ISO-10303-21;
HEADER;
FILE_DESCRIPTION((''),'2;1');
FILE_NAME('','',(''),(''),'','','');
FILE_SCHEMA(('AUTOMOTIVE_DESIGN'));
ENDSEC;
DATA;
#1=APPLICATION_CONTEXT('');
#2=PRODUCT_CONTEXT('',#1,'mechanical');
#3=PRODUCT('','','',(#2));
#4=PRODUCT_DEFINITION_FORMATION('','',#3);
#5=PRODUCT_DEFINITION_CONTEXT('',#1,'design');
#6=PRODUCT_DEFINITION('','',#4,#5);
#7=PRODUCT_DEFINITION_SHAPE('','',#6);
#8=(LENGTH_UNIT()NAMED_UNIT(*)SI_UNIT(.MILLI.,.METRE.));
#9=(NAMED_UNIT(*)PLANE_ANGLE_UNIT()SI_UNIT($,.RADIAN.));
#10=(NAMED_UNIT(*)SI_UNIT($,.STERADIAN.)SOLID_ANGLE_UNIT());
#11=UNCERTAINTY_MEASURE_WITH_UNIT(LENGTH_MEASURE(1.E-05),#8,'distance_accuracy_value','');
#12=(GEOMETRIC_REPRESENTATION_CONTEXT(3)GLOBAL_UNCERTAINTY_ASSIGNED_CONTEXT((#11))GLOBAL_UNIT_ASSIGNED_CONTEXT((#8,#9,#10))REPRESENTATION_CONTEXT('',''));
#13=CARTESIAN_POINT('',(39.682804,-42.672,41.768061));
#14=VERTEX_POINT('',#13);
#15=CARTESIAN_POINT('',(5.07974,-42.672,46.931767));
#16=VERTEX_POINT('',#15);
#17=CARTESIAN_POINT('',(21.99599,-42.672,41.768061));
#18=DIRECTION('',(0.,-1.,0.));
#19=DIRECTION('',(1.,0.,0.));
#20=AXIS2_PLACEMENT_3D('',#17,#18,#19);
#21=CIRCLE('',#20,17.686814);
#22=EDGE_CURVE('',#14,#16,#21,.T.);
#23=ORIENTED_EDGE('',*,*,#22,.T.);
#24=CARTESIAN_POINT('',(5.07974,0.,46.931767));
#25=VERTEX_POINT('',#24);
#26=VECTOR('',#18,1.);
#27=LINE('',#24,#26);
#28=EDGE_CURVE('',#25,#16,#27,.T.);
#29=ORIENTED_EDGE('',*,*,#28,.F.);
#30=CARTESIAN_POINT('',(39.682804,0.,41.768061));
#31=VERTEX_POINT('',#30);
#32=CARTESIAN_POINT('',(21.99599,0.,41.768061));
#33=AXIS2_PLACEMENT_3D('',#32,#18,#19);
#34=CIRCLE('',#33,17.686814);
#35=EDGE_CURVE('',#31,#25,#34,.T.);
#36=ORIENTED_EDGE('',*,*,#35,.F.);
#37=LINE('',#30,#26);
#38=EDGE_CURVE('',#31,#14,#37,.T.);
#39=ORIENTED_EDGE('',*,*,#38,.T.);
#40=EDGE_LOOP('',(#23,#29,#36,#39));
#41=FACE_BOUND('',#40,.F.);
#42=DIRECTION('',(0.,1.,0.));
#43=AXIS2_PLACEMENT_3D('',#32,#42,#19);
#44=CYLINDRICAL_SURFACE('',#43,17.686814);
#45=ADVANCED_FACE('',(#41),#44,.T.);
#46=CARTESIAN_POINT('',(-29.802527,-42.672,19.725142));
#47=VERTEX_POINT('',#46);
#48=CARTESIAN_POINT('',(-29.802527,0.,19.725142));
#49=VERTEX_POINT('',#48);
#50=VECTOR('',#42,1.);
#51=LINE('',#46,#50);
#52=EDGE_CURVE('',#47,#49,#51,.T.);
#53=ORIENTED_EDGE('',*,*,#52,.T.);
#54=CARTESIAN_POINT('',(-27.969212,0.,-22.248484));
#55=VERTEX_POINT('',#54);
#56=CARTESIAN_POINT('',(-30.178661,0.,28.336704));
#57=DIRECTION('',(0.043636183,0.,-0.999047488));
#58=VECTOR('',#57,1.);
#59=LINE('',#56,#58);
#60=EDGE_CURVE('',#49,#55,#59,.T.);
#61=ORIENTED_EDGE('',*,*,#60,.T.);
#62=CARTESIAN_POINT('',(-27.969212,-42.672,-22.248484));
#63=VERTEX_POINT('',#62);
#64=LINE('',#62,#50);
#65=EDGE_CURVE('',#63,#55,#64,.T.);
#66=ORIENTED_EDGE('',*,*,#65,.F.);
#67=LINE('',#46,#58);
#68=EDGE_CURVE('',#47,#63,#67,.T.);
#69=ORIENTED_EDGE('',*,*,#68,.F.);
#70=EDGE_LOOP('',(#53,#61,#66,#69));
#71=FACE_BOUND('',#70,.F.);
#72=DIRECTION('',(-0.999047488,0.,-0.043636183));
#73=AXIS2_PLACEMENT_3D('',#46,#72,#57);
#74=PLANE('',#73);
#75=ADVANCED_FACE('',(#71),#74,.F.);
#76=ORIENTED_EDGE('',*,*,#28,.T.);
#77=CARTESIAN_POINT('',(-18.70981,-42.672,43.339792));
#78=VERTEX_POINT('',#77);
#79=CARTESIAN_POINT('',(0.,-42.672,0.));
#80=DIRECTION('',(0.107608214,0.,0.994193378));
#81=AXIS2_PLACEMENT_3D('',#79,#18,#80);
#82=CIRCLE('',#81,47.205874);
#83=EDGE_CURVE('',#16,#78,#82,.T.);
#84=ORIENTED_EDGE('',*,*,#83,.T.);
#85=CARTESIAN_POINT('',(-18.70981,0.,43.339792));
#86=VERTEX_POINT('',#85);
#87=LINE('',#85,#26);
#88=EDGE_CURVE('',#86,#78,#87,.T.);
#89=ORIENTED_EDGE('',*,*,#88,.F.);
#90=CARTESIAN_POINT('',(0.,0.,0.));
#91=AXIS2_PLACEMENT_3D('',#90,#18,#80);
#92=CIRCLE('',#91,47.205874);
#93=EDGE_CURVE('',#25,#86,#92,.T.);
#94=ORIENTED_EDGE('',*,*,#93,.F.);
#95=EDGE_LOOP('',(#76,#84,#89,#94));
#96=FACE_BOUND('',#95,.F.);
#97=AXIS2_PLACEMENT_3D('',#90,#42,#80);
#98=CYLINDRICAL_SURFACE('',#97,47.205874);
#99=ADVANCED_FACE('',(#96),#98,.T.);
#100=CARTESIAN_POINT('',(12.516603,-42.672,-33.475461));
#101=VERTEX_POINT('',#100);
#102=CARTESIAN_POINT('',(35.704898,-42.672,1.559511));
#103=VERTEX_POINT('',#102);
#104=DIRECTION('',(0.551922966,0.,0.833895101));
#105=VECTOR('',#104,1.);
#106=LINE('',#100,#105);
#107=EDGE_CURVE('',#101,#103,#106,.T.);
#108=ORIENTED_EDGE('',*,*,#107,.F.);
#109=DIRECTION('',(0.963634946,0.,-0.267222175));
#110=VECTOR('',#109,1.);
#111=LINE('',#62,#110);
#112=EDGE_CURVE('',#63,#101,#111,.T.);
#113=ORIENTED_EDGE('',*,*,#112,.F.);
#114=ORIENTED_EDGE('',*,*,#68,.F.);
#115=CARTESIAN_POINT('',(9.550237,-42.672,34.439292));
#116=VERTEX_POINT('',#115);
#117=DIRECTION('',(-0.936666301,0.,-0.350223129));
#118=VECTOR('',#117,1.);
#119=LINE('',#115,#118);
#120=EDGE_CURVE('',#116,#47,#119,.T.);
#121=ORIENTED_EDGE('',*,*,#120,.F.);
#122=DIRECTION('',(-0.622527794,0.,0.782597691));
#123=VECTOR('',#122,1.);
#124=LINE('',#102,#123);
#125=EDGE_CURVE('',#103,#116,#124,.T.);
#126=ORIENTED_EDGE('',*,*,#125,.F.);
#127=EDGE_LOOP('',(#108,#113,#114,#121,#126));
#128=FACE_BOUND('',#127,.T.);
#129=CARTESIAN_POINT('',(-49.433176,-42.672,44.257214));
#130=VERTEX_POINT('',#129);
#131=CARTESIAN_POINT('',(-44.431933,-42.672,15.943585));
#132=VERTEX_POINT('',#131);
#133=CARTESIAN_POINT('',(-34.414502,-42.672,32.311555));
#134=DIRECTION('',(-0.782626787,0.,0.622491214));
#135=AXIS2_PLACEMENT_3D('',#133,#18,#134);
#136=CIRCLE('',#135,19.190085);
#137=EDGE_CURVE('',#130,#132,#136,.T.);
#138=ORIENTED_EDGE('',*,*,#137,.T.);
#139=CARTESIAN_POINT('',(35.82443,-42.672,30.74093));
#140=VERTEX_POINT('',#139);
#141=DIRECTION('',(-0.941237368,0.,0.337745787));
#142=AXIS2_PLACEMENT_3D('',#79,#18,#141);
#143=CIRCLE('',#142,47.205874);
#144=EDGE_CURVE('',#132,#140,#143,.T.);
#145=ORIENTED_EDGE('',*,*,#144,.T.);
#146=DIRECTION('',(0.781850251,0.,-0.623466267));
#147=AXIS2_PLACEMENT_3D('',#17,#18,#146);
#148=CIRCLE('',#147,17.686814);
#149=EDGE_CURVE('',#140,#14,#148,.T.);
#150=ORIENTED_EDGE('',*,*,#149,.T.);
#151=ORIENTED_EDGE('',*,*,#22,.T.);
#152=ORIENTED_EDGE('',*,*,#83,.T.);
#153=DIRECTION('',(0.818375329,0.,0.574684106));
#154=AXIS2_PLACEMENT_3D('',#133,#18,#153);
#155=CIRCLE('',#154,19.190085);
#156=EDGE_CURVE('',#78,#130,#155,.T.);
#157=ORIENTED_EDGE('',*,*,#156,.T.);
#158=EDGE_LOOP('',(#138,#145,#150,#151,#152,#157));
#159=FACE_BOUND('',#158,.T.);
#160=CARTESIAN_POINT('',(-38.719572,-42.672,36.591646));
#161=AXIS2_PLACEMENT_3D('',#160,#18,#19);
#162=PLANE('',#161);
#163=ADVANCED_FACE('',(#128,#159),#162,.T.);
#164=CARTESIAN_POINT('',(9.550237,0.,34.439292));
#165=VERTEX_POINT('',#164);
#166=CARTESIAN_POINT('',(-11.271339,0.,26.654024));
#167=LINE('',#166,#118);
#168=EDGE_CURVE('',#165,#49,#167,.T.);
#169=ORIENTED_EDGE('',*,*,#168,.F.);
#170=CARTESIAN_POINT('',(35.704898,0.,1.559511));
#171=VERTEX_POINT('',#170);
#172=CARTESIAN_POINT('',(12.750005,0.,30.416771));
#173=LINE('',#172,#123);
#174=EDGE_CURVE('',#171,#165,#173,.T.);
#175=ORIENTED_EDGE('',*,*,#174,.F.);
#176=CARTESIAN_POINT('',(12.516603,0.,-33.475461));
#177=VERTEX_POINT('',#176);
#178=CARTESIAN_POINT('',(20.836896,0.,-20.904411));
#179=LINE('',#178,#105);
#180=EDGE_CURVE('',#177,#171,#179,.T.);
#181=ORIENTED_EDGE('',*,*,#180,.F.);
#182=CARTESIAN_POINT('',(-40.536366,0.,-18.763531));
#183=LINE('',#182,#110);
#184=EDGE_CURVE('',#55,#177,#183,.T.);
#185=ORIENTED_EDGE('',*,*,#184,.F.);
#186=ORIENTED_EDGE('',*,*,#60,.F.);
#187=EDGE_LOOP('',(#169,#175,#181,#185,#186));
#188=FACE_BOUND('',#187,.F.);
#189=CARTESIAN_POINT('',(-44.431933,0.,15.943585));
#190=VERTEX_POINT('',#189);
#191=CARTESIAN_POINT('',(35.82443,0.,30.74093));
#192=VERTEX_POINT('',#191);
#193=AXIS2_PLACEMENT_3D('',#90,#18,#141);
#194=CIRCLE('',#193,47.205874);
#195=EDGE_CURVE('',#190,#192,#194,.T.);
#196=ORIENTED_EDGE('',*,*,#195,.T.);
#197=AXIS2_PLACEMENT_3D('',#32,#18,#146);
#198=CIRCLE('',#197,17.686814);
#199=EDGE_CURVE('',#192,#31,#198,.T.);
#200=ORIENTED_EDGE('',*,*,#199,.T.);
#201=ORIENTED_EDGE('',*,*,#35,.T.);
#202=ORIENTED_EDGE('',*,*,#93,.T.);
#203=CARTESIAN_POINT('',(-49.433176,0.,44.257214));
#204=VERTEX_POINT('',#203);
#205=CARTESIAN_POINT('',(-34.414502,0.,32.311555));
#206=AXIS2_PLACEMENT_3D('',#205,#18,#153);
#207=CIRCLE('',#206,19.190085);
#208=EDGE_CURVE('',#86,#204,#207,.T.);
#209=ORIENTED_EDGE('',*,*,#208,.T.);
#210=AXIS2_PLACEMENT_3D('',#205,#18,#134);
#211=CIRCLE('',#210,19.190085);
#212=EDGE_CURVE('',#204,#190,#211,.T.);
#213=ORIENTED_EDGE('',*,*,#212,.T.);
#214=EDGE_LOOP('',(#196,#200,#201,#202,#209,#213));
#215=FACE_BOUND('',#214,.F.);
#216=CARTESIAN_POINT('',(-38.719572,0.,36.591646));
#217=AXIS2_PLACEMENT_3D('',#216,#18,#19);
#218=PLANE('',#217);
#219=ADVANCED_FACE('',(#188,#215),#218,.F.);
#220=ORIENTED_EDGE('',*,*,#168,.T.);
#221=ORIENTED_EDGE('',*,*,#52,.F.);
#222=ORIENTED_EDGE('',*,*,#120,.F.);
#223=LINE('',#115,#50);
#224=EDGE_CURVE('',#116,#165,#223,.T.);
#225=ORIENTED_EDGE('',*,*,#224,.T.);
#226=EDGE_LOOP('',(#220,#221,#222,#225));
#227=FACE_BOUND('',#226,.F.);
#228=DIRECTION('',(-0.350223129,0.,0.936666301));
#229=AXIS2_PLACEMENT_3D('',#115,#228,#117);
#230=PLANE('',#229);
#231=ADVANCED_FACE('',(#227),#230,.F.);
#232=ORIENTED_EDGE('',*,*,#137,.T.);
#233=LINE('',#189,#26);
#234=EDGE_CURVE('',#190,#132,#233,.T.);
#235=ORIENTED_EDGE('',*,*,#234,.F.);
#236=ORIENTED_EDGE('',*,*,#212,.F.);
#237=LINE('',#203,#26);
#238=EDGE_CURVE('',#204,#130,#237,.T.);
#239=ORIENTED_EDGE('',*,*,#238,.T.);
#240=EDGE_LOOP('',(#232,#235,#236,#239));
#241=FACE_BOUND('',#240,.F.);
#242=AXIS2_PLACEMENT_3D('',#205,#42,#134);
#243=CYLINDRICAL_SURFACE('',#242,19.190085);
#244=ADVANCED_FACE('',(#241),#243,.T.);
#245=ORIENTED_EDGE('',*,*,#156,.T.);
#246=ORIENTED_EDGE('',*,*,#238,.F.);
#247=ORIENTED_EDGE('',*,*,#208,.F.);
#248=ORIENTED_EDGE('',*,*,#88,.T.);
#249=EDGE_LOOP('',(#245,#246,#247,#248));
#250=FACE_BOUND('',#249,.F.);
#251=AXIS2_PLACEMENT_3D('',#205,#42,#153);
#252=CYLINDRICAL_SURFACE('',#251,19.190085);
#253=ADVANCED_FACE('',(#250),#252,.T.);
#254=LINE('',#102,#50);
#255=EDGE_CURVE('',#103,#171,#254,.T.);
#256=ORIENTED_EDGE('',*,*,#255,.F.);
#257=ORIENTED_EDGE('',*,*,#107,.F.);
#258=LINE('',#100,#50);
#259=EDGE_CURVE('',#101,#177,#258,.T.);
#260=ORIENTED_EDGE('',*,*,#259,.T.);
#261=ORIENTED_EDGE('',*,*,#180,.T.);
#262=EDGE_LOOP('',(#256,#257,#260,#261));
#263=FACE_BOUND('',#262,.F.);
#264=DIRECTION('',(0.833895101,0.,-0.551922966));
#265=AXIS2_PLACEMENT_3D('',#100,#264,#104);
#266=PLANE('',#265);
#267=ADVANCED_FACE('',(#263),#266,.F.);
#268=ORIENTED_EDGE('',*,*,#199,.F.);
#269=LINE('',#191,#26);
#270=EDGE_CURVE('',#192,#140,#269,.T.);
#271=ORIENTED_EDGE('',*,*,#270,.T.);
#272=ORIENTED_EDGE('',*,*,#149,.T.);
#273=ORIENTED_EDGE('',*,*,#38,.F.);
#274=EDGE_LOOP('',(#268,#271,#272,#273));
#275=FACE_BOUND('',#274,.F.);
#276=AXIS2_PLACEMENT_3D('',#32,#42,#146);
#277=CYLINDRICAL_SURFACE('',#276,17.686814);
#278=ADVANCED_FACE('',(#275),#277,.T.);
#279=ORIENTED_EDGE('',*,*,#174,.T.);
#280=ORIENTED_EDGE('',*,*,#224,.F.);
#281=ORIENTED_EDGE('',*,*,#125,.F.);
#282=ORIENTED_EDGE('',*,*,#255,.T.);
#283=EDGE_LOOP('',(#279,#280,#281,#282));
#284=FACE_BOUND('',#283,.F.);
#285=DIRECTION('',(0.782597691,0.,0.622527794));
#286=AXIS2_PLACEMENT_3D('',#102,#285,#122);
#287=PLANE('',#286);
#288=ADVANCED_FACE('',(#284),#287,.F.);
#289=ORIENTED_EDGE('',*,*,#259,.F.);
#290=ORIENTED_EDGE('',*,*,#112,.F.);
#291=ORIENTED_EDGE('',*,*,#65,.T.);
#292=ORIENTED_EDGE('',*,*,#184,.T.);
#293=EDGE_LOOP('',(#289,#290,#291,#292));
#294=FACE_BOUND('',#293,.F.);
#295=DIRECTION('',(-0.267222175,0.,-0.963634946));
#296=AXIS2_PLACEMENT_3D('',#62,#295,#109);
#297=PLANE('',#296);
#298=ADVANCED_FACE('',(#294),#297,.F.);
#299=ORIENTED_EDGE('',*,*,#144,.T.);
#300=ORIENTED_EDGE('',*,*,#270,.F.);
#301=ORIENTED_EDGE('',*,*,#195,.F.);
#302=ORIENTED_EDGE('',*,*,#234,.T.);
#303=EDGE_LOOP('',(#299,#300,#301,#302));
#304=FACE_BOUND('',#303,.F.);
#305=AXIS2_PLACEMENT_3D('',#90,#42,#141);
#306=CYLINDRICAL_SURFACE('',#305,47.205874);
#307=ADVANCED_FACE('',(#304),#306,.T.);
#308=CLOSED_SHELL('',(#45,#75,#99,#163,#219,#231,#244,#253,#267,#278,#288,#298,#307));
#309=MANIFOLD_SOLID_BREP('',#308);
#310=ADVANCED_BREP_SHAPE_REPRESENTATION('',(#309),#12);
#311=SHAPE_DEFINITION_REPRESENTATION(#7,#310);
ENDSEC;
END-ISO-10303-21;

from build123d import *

# Parameters (mm, degrees)
F1_DEPTH = 42.672
F3_DEPTH = 175.514


with BuildPart() as f1:
    # F0 (on Front) → F1 (new body)
    with BuildSketch(Plane.XZ):
        with BuildLine():
            ThreePointArc((-49.4331763688, 44.2572140434), (-53.3120424219, 28.9735438048), (-44.431932504, 15.9435850303))
            ThreePointArc((-44.431932504, 15.9435850303), (-34.4145020175, 32.3115549077), (-18.7098101303, 43.339791584))
            ThreePointArc((-18.7098101303, 43.339791584), (-27.9570717117, 50.3825522599), (-39.5735288523, 50.7951636889))
            ThreePointArc((-39.5735288523, 50.7951636889), (-38.8889433123, 49.2770066812), (-38.6545578703, 47.6282127202))
            ThreePointArc((-38.6545578703, 47.6282127202), (-42.8049974008, 41.9814824978), (-49.4331763688, 44.2572140434))
        make_face()
        with BuildLine():
            ThreePointArc((-18.7098101303, 43.339791584), (-34.4145020175, 32.3115549077), (-44.431932504, 15.9435850303))
            ThreePointArc((-44.431932504, 15.9435850303), (-25.0330306038, 15.5709651458), (-15.2244173001, 32.3115549077))
            ThreePointArc((-15.2244173001, 32.3115549077), (-16.1165004977, 38.094503277), (-18.7098101303, 43.339791584))
        make_face()
        with BuildLine():
            ThreePointArc((5.0797397629, 46.9317672116), (21.9959900917, 41.7680613573), (35.8244299144, 30.7409295723))
            ThreePointArc((35.8244299144, 30.7409295723), (38.6903667496, 35.9267283468), (39.6828039182, 41.7680613573))
            ThreePointArc((39.6828039182, 41.7680613573), (24.6064319247, 59.2611736239), (5.0797397629, 46.9317672116))
        make_face()
        with BuildLine():
            ThreePointArc((-44.431932504, 15.9435850303), (-8.0915489004, -46.5072184296), (47.2058738894, 0))
            ThreePointArc((47.2058738894, 0), (44.2691656255, 16.3901038582), (35.8244299144, 30.7409295723))
            ThreePointArc((35.8244299144, 30.7409295723), (13.7546643915, 26.1186545302), (5.0797397629, 46.9317672116))
            ThreePointArc((5.0797397629, 46.9317672116), (-7.0477142949, 46.6768063698), (-18.7098101303, 43.339791584))
            ThreePointArc((-18.7098101303, 43.339791584), (-16.1165004977, 38.094503277), (-15.2244173001, 32.3115549077))
            ThreePointArc((-15.2244173001, 32.3115549077), (-25.0330306038, 15.5709651458), (-44.431932504, 15.9435850303))
        make_face()
        with BuildLine():
            ThreePointArc((5.0797397629, 46.9317672116), (13.7546643915, 26.1186545302), (35.8244299144, 30.7409295723))
            ThreePointArc((35.8244299144, 30.7409295723), (21.9959900917, 41.7680613573), (5.0797397629, 46.9317672116))
        make_face()
        with BuildLine():
            ThreePointArc((-39.5735288523, 50.7951636889), (-45.0197414151, 48.3049363131), (-49.4331763688, 44.2572140434))
            ThreePointArc((-49.4331763688, 44.2572140434), (-42.8049974008, 41.9814824978), (-38.6545578703, 47.6282127202))
            ThreePointArc((-38.6545578703, 47.6282127202), (-38.8889433123, 49.2770066812), (-39.5735288523, 50.7951636889))
        make_face()
    extrude(amount=F1_DEPTH)

    # F2 (on face) → F3 (cut)
    with BuildSketch(Plane.XZ.offset(42.672)):
        Polygon((35.7048984071, 1.5595109514), (9.5502373377, 34.4392916807), (-29.8025271318, 19.7251418557), (-27.9692120558, -22.2484835809), (12.5166034428, -33.4754609069), align=None)
    extrude(amount=-F3_DEPTH, mode=Mode.SUBTRACT)


solid = f1.part
